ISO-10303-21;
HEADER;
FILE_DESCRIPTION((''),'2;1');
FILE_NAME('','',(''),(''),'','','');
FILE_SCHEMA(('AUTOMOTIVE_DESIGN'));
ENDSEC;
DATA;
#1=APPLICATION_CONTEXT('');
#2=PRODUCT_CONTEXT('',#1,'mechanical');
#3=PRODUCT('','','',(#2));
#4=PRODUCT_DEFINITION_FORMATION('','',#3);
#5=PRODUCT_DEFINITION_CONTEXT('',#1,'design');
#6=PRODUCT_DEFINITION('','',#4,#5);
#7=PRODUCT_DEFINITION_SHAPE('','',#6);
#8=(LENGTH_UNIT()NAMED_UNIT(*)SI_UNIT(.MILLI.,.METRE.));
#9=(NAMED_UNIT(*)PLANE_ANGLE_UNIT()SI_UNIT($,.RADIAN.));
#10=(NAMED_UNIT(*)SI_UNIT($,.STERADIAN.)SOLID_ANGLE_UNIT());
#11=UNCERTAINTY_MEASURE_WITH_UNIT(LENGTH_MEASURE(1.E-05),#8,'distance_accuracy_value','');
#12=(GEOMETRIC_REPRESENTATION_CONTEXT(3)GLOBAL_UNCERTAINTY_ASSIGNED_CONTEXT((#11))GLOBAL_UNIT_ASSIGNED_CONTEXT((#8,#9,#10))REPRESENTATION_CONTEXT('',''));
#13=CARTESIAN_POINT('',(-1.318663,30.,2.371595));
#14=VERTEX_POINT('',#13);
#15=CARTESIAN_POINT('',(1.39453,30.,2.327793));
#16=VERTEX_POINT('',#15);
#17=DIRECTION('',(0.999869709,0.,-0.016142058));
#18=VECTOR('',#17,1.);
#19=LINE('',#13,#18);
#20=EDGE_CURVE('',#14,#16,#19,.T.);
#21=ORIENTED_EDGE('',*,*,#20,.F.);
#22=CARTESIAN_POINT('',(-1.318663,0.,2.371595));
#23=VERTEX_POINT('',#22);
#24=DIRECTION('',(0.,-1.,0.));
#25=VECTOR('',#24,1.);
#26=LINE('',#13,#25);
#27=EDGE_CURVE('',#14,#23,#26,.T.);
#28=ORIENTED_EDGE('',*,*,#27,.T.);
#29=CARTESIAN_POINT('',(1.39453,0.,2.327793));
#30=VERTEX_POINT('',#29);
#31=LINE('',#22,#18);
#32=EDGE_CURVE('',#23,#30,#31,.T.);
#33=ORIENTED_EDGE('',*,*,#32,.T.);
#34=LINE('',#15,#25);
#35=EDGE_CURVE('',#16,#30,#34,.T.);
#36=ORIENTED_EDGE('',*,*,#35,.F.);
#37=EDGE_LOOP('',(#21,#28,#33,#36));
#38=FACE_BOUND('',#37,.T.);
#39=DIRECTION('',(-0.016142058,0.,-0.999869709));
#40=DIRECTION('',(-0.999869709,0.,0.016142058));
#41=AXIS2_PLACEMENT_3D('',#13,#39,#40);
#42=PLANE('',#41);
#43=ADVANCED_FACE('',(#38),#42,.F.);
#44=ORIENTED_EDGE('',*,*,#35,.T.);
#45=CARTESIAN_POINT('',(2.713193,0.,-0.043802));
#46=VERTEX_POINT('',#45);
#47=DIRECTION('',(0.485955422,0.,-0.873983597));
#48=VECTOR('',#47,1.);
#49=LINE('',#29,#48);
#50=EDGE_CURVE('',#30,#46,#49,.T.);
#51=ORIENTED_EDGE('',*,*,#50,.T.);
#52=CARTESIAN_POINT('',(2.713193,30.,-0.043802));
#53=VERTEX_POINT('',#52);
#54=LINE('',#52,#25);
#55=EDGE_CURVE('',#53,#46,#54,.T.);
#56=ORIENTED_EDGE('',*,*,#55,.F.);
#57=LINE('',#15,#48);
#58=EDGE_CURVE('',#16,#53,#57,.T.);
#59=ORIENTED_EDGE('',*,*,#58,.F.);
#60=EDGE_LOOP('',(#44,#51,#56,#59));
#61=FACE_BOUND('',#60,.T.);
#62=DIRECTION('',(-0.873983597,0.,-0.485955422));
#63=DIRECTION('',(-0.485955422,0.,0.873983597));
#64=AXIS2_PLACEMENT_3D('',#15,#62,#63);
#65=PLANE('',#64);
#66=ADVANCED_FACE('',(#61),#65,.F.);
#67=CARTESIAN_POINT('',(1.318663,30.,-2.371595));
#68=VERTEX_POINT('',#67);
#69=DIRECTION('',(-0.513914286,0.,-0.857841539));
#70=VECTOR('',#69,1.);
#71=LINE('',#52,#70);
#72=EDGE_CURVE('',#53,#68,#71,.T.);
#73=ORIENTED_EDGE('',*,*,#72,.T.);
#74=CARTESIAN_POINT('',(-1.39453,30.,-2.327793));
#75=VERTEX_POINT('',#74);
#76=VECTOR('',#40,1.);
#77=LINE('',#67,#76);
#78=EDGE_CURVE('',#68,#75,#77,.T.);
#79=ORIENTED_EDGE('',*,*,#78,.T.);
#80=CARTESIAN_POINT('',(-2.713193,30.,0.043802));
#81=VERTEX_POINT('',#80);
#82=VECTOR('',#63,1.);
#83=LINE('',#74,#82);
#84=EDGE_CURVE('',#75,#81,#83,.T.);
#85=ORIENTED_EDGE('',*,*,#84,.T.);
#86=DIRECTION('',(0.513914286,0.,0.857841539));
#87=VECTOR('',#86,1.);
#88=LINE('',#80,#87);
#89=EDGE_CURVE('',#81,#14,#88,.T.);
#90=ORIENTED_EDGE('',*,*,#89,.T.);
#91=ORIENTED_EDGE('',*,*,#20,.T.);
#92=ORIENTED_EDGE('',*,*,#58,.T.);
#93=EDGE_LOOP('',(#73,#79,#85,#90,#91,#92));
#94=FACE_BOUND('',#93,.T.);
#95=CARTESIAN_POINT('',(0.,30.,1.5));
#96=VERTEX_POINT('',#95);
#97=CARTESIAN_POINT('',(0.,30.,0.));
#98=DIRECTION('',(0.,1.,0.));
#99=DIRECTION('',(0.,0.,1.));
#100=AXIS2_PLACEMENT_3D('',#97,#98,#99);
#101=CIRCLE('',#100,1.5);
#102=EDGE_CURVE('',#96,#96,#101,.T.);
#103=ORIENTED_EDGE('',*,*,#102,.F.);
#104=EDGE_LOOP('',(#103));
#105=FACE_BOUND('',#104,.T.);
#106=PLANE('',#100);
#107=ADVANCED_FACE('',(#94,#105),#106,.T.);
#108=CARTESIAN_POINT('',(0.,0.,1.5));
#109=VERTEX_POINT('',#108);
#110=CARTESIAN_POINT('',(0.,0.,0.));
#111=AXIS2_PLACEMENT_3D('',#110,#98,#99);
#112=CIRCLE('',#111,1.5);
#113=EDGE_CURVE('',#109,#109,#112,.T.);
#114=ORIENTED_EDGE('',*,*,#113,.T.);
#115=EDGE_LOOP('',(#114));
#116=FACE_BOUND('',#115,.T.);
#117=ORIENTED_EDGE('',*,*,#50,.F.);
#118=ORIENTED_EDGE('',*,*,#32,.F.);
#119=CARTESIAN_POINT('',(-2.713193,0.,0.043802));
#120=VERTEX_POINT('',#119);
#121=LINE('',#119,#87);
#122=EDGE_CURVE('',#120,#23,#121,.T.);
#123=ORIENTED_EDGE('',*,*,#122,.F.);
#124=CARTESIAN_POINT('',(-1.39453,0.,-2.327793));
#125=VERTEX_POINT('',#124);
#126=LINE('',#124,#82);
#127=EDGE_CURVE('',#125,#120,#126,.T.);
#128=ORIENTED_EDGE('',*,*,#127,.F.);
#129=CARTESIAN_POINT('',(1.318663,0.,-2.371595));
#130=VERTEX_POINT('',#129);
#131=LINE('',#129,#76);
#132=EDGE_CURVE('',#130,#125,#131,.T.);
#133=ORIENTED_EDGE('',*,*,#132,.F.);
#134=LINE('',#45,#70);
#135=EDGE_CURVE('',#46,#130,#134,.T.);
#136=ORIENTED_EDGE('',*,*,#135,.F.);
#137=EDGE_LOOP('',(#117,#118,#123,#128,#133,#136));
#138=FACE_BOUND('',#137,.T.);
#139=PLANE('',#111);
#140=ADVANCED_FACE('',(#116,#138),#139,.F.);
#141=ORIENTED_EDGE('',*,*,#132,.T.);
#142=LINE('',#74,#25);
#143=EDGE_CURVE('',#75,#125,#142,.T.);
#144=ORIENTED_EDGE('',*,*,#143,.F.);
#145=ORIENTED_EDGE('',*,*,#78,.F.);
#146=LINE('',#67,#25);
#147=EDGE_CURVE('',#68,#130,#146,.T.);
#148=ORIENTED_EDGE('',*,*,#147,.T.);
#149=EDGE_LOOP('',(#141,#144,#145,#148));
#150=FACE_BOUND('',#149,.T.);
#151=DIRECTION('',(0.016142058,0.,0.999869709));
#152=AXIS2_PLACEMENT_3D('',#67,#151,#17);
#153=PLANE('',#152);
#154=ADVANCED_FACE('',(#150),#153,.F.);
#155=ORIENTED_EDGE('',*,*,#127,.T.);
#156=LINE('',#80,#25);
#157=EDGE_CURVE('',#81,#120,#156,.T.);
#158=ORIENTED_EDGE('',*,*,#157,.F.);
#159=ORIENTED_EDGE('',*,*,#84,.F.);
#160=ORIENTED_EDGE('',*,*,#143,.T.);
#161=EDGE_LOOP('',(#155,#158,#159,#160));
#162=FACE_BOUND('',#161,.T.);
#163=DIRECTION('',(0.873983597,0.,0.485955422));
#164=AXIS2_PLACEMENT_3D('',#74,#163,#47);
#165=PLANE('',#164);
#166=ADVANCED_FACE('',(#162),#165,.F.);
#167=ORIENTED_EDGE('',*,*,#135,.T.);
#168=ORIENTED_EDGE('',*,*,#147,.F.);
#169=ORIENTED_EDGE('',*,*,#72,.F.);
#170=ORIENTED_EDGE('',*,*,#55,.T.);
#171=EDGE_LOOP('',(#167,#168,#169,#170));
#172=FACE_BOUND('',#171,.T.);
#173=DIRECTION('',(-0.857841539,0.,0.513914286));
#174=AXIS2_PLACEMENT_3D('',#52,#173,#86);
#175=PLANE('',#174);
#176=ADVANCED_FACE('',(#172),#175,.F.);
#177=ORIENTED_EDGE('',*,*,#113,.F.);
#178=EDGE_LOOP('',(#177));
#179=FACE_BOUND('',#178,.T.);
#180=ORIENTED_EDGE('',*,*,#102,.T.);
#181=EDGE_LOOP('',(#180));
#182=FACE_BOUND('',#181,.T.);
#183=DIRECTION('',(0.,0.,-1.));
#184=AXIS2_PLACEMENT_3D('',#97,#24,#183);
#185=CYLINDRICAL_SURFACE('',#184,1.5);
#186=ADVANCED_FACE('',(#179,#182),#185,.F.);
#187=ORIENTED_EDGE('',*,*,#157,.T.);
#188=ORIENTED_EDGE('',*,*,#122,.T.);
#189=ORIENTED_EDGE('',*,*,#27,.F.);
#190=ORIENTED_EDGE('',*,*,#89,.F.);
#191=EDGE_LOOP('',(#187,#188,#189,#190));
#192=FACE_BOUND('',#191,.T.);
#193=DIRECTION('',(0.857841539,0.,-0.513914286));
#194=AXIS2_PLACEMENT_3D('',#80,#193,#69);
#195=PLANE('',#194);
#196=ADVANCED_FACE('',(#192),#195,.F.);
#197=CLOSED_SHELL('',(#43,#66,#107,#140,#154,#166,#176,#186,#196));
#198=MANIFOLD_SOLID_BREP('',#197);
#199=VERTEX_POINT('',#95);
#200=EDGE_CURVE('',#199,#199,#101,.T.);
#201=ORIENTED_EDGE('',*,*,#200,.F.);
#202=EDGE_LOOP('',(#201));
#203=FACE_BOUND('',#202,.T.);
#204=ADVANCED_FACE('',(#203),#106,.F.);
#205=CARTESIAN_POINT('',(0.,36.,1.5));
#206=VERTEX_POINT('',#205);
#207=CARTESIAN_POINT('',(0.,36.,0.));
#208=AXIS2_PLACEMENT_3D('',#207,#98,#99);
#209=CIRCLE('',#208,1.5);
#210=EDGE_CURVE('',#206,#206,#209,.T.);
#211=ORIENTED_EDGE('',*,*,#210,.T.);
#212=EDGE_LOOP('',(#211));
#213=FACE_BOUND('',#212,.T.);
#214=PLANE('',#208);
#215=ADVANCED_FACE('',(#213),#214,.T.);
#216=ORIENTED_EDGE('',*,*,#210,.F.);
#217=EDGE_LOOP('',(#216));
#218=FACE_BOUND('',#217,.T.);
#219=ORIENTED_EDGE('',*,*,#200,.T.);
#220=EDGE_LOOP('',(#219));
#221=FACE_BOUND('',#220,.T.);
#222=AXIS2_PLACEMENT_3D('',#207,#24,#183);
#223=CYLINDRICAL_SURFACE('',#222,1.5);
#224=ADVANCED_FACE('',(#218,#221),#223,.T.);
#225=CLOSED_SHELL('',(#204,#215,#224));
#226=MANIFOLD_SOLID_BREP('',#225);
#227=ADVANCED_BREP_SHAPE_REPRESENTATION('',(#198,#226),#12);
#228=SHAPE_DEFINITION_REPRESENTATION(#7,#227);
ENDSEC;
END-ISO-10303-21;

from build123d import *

# Parameters (mm, degrees)
SKETCH_1_R      = 1.5
EXTRUDE_1_DEPTH = 30
SKETCH_2_R      = 1.5
EXTRUDE_2_DEPTH = 6


with BuildPart() as part:
    # 草图1 → 凸台-拉伸1 (new body)
    with BuildSketch(Plane(origin=(0, 0, 0), x_dir=(1, 0, 0), z_dir=(0, 1, 0))):
        Polygon((1.394530192, -2.327792705), (2.713192713, 0.04380222), (1.318662521, 2.371594925), (-1.394530192, 2.327792705), (-2.713192713, -0.04380222), (-1.318662521, -2.371594925), align=None)
        with Locations(Location((0, 0, 0), (0, 0, 270))):
            Circle(SKETCH_1_R, mode=Mode.SUBTRACT)
    extrude(amount=EXTRUDE_1_DEPTH)


with BuildPart() as body_2:
    # 草图2 → 凸台-拉伸2 (new body)
    with BuildSketch(Plane(origin=(0, 30, 0), x_dir=(1, 0, 0), z_dir=(0, 1, 0))):
        with Locations(Location((0, 0, 0), (0, 0, 270))):
            Circle(SKETCH_2_R)
    extrude(amount=EXTRUDE_2_DEPTH)


solid = Compound([part.part, body_2.part])
